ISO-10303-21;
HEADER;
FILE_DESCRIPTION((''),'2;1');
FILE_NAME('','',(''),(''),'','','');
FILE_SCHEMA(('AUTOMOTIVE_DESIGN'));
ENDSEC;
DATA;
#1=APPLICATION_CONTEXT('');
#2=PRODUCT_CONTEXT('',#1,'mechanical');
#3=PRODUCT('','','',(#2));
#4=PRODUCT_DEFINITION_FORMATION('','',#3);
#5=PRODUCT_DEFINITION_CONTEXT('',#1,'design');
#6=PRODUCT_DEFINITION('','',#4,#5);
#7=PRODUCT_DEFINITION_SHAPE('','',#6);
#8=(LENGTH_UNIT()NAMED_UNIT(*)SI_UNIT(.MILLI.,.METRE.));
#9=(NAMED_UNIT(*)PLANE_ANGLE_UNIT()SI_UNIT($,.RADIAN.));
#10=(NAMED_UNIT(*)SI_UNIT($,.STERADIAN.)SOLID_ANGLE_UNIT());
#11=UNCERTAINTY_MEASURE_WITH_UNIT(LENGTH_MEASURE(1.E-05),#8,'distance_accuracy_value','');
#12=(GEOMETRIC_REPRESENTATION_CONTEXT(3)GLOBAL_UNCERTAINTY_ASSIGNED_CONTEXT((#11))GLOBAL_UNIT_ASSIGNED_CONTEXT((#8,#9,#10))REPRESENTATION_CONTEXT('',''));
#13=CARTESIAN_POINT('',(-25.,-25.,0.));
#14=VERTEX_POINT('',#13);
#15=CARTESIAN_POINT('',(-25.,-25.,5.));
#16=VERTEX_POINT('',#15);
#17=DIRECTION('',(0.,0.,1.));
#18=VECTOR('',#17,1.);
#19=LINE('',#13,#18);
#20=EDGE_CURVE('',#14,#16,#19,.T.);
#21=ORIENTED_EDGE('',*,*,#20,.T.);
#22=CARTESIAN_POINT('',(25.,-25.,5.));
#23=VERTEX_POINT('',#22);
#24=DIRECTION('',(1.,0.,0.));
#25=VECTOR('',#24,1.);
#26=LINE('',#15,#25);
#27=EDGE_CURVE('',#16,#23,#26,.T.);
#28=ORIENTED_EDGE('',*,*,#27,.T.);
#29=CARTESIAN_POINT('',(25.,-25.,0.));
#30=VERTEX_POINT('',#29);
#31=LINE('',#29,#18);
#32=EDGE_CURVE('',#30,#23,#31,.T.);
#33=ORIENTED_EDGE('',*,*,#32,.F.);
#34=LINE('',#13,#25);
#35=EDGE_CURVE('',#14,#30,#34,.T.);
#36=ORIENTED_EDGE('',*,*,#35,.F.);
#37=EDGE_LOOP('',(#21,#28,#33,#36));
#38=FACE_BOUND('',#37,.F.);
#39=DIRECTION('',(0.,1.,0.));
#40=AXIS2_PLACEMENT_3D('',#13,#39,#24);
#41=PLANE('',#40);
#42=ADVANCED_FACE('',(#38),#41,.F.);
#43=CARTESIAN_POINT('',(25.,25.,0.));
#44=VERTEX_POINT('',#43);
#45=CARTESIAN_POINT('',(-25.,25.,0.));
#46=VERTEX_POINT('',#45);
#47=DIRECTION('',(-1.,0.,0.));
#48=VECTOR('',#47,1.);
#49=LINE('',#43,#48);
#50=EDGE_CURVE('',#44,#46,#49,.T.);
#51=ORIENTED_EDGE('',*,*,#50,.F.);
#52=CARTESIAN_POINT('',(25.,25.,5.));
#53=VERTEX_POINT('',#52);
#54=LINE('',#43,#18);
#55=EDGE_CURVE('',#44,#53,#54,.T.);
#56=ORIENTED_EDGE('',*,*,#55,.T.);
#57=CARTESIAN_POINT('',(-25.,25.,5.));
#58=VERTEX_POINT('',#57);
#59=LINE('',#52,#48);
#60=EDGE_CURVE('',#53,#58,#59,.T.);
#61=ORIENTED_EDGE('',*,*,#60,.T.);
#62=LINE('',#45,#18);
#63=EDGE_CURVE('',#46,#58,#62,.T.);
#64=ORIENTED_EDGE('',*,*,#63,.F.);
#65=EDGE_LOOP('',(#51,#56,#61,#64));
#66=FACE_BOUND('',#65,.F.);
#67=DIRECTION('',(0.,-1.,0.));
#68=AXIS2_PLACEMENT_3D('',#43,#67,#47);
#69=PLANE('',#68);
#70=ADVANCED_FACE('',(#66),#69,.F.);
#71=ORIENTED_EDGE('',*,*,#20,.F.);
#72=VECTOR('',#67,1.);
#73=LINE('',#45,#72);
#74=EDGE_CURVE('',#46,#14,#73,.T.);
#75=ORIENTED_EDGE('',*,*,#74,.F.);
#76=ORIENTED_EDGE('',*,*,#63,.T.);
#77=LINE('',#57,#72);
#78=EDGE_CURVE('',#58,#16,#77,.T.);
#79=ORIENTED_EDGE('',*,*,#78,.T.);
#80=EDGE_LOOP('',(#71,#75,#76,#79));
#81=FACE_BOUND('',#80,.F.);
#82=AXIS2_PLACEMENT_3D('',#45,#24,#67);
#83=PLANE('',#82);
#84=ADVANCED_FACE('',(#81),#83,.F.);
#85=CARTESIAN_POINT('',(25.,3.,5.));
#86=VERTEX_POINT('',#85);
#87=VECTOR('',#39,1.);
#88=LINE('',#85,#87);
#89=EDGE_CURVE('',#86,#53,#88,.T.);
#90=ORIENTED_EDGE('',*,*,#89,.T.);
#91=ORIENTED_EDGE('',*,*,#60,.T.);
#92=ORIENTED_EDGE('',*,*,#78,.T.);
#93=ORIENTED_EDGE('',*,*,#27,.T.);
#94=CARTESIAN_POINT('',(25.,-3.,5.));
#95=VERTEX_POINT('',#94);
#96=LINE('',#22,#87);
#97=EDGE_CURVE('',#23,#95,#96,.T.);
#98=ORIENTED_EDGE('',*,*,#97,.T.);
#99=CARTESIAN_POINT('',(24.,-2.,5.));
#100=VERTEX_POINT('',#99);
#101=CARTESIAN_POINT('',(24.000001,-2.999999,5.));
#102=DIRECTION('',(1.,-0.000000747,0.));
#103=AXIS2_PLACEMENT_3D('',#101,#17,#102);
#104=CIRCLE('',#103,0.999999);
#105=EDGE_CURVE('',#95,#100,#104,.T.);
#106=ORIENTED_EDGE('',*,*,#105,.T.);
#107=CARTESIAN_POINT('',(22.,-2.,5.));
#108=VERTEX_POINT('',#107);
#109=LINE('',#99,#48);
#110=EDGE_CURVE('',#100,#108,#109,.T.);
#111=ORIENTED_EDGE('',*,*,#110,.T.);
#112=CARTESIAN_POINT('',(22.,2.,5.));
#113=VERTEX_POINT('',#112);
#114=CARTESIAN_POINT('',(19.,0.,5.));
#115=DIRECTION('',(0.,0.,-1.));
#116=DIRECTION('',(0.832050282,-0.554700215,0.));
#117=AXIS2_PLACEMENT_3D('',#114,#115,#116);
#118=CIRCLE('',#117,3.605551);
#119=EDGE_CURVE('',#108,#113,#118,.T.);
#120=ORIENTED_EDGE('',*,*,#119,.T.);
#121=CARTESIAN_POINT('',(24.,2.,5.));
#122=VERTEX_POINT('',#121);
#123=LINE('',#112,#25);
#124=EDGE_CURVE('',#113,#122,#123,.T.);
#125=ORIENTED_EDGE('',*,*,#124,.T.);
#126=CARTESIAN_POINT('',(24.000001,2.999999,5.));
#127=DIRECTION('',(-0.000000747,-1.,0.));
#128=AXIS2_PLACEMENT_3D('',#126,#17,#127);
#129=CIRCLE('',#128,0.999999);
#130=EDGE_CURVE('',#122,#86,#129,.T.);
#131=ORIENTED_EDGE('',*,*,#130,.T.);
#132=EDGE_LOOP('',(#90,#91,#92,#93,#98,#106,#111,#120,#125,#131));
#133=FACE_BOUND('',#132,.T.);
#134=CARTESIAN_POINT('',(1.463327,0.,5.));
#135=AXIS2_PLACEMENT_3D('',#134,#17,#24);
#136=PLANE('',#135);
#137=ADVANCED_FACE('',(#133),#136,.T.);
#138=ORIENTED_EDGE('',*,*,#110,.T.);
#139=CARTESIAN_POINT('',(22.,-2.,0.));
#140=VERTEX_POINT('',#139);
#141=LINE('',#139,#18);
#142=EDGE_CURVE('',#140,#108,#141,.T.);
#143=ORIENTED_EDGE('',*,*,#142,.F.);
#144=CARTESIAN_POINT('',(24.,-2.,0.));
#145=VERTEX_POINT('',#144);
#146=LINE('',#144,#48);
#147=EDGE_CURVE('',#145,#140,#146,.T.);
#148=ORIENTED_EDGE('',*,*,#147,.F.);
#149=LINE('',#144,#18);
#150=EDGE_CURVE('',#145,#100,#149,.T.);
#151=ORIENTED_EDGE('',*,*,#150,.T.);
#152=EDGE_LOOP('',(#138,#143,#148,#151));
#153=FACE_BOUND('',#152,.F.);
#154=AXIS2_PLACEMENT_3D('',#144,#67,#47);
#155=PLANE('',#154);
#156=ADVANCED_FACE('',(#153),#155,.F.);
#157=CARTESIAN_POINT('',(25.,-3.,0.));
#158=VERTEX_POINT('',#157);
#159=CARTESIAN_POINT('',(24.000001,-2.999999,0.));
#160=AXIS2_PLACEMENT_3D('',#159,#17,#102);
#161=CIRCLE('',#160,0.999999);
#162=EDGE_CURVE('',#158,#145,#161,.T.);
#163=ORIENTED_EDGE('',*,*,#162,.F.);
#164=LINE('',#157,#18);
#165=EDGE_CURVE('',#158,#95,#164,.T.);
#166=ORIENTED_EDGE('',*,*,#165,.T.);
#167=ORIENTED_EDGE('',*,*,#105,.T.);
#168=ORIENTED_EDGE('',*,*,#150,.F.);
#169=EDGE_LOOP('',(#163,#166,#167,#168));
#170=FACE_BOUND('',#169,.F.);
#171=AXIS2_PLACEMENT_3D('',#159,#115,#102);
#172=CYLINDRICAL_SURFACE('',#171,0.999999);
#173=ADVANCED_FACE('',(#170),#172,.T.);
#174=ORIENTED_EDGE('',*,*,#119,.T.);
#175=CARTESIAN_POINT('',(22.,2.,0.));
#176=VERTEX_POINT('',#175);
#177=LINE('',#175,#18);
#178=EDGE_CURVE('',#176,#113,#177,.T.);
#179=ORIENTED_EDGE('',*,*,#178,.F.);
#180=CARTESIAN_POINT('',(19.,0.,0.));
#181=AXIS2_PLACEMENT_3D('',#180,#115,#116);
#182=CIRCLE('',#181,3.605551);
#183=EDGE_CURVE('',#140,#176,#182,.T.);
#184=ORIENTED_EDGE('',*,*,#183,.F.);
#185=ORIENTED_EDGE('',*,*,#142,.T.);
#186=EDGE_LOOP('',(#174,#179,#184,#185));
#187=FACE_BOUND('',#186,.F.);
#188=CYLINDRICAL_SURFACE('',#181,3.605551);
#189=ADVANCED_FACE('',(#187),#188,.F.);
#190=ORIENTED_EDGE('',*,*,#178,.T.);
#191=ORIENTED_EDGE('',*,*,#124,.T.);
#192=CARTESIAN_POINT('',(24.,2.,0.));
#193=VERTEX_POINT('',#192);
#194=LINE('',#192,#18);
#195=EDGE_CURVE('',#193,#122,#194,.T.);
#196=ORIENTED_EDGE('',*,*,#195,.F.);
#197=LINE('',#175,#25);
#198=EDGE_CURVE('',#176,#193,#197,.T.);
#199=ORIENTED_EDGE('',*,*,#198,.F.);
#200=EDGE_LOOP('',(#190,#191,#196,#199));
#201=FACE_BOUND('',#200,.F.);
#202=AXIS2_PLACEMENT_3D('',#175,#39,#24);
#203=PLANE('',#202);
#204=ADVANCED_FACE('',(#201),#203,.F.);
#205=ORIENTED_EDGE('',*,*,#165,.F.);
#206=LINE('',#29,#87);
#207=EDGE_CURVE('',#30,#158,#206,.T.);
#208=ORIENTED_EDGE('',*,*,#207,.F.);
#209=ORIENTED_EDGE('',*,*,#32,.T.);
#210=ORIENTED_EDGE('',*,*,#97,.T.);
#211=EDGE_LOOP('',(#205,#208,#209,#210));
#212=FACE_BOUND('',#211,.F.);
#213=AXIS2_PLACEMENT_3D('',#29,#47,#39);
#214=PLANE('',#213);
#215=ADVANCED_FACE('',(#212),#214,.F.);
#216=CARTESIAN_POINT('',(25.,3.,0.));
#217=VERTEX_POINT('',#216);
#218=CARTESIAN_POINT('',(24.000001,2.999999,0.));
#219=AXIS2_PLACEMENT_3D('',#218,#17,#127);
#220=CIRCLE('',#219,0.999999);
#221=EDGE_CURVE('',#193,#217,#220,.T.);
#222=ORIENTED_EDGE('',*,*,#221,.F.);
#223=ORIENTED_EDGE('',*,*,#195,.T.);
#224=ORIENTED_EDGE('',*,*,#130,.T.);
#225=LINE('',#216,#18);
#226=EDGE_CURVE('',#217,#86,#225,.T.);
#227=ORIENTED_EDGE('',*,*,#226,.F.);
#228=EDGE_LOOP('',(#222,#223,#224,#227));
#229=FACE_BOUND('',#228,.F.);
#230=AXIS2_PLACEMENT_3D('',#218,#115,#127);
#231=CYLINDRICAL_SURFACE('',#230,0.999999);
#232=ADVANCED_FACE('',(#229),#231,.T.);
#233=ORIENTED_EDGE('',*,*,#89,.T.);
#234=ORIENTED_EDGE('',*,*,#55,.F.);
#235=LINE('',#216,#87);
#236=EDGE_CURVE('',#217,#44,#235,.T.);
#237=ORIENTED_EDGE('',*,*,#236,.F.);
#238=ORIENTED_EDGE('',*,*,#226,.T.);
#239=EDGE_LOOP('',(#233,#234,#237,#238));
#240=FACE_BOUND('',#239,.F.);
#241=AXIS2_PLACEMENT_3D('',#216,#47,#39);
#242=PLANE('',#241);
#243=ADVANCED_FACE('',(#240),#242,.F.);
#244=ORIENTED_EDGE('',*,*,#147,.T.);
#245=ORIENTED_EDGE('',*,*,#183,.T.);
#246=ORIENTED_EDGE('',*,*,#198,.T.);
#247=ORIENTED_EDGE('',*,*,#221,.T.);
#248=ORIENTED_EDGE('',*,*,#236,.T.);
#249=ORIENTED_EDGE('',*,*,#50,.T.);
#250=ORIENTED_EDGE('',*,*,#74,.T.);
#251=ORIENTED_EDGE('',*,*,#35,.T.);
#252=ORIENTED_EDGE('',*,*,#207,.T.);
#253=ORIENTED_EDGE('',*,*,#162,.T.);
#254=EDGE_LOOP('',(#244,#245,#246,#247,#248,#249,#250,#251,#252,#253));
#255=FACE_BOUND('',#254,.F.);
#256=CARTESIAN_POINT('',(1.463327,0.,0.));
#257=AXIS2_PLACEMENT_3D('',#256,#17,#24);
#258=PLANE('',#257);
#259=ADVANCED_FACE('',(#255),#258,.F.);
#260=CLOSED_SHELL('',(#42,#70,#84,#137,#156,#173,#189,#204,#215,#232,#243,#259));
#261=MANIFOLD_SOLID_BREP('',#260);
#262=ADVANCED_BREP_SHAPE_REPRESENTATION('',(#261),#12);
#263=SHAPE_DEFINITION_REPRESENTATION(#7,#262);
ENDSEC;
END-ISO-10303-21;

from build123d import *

# Parameters (mm, degrees)
F1_DEPTH = 5


with BuildPart() as f1:
    # F0 (on Top) → F1 (new body)
    with BuildSketch(Plane.XY):
        with BuildLine():
            Line((-25, 25), (-25, -25))
            Line((-25, -25), (25, -25))
            Line((25, -25), (25, -3))
            ThreePointArc((25, -3), (24.707107, -2.292893), (24, -2))
            Line((24, -2), (22, -2))
            ThreePointArc((22, -2), (15.394449, 0), (22, 2))
            Line((22, 2), (24, 2))
            ThreePointArc((24, 2), (24.707107, 2.292893), (25, 3))
            Line((25, 3), (25, 25))
            Line((25, 25), (-25, 25))
        make_face()
    extrude(amount=F1_DEPTH)


solid = f1.part
